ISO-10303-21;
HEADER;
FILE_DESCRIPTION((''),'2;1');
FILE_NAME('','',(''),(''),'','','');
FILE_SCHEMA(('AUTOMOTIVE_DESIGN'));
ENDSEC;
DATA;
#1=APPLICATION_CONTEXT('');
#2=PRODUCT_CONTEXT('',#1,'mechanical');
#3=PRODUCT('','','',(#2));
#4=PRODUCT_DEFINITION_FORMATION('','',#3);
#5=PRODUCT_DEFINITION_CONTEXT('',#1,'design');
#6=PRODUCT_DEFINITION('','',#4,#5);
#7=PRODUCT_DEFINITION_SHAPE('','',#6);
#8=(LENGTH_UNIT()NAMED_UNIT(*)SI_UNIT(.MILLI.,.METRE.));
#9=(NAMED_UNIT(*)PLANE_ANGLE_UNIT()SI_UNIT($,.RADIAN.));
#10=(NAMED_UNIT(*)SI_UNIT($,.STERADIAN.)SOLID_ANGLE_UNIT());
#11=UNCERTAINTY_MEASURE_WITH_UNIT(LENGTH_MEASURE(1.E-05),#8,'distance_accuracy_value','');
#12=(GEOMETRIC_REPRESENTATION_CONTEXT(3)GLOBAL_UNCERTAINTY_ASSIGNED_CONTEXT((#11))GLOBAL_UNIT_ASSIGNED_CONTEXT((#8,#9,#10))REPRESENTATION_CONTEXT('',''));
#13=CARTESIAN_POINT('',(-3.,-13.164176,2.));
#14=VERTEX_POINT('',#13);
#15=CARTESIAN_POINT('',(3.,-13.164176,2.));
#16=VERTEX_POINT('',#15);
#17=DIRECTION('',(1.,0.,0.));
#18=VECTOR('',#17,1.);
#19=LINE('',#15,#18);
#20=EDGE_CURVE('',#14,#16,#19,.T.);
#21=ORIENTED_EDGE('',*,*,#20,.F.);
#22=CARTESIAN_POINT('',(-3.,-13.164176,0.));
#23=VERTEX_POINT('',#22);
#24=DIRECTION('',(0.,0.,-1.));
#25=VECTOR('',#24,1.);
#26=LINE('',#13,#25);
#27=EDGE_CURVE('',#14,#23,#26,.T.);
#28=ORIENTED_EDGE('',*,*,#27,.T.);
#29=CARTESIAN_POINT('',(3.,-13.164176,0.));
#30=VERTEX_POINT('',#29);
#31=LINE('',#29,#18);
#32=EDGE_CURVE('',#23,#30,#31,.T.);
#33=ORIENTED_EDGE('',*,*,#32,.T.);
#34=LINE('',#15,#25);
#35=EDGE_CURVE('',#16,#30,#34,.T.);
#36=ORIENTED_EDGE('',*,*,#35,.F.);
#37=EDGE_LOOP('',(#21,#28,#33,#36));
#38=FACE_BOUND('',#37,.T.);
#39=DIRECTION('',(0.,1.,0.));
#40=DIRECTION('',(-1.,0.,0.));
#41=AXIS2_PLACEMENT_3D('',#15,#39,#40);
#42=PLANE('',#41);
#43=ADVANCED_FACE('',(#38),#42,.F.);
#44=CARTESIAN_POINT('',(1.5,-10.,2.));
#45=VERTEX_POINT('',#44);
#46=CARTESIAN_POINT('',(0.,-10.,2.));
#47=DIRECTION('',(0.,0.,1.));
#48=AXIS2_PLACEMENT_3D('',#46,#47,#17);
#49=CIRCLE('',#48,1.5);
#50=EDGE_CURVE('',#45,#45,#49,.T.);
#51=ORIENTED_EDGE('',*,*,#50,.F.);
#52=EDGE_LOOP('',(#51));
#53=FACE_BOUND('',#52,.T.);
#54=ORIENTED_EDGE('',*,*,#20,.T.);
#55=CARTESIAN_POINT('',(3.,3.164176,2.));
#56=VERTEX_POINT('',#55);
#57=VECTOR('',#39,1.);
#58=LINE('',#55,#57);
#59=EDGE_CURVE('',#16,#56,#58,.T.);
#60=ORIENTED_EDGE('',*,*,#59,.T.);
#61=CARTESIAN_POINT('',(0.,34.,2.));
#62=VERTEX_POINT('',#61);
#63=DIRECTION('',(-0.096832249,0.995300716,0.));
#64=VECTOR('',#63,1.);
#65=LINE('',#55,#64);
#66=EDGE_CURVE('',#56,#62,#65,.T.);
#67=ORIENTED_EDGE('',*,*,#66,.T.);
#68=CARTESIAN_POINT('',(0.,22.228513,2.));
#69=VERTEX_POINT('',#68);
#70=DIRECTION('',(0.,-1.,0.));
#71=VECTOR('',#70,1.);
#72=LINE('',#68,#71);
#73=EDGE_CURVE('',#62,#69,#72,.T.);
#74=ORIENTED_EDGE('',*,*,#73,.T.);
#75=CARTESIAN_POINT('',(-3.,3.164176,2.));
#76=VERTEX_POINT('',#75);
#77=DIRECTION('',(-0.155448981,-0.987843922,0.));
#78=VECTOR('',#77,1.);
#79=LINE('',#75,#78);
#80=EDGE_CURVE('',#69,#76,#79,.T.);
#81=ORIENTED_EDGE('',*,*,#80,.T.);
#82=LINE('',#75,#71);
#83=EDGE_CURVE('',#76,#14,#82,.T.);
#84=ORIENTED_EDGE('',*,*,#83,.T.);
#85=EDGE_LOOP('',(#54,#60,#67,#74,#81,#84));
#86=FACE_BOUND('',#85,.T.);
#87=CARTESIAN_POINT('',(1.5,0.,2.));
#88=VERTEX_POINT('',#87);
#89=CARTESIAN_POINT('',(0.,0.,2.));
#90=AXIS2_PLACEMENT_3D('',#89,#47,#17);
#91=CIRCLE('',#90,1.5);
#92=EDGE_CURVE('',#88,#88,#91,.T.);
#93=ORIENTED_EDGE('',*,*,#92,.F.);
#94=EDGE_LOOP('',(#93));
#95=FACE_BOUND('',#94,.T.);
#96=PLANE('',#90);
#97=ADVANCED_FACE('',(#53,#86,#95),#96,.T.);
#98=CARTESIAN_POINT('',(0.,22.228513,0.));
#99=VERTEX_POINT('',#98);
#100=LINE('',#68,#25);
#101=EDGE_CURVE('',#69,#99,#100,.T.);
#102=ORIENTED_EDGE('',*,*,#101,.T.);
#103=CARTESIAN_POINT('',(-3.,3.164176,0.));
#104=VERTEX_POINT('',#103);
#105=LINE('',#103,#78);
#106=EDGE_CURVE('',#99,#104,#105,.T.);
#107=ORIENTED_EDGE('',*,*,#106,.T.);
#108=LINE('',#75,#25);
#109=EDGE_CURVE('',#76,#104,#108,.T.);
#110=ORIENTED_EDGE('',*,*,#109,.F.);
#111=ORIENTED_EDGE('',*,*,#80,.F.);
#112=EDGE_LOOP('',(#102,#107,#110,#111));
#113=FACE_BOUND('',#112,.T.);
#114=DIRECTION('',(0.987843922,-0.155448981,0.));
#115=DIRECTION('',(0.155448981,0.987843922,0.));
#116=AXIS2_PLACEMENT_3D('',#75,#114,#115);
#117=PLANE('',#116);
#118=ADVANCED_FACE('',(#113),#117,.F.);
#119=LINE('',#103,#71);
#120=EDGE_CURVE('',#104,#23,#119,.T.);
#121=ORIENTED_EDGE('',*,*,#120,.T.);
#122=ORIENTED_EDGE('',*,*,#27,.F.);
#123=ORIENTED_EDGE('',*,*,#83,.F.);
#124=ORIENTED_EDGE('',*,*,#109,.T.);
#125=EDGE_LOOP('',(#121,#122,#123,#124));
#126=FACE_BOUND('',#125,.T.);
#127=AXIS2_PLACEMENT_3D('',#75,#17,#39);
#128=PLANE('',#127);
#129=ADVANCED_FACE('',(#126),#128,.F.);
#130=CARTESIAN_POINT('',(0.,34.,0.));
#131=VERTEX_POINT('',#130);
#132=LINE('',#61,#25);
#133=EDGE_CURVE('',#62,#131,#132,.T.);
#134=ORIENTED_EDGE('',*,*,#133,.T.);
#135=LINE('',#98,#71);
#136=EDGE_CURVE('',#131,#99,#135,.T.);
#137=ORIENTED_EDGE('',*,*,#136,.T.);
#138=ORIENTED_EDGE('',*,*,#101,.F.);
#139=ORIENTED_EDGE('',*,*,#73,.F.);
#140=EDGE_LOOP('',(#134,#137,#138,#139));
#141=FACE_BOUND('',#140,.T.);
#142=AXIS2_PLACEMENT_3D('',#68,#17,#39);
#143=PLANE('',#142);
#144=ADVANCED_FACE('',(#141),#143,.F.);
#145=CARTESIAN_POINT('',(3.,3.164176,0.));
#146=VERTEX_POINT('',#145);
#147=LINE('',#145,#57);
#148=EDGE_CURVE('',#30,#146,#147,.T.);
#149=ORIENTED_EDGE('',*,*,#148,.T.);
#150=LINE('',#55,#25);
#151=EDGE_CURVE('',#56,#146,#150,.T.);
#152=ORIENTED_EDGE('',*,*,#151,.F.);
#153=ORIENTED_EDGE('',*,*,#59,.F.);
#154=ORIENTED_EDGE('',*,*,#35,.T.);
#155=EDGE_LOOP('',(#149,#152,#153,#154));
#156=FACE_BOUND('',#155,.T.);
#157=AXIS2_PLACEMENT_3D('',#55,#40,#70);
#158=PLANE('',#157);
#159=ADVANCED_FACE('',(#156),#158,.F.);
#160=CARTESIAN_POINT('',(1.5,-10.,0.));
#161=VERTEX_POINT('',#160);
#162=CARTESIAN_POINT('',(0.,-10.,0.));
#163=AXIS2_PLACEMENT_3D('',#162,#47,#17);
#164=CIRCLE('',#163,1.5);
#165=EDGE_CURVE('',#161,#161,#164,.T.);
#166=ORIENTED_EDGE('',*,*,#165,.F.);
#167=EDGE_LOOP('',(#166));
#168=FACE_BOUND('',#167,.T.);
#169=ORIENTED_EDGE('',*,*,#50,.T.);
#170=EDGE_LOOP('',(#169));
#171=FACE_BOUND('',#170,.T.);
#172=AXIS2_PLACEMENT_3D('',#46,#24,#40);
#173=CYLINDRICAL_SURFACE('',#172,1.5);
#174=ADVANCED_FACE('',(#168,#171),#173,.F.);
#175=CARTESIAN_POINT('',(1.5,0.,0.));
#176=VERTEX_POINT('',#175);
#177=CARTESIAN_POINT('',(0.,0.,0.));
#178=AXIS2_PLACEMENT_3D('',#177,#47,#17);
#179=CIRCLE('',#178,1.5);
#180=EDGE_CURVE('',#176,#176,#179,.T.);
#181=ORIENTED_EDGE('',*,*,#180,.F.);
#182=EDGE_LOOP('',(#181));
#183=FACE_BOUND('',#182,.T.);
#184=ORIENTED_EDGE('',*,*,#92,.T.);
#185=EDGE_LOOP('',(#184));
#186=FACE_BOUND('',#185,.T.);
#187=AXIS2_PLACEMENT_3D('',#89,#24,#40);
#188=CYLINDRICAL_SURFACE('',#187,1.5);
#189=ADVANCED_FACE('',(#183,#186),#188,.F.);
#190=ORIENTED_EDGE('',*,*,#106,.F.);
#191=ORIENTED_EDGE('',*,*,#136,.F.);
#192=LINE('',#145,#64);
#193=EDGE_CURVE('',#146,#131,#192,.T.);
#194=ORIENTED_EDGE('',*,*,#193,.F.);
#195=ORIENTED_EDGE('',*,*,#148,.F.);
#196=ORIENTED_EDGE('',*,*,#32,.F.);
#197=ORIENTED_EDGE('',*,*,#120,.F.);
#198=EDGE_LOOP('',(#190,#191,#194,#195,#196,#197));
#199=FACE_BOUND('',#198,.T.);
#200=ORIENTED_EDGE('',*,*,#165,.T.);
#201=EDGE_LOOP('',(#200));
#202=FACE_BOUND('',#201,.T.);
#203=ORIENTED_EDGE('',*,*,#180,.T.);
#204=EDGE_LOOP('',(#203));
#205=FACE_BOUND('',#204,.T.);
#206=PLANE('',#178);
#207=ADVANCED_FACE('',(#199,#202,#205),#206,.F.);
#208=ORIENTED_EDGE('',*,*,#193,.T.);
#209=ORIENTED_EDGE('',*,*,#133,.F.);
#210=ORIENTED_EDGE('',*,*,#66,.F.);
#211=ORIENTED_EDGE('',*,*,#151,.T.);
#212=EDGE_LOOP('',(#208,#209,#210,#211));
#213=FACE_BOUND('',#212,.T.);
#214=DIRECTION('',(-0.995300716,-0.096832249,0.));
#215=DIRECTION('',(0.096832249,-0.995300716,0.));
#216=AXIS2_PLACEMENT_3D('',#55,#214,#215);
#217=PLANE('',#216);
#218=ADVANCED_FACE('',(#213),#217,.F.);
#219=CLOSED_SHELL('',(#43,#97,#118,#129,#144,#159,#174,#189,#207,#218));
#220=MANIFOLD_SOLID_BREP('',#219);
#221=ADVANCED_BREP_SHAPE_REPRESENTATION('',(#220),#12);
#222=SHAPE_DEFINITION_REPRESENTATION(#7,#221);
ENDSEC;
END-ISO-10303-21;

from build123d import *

# Parameters (mm, degrees)
SKETCH_1_R      = 1.5
EXTRUDE_1_DEPTH = 2


with BuildPart() as part:
    # 草图1 → 凸台-拉伸1 (new body)
    with BuildSketch(Plane.XY):
        Polygon((3, 3.164176285), (0, 34), (0, 22.228513357), (-3, 3.164176285), (-3, -13.164176285), (3, -13.164176285), align=None)
        Circle(SKETCH_1_R, mode=Mode.SUBTRACT)
        with Locations((0, -10)):
            Circle(SKETCH_1_R, mode=Mode.SUBTRACT)
    extrude(amount=EXTRUDE_1_DEPTH)


solid = part.part
